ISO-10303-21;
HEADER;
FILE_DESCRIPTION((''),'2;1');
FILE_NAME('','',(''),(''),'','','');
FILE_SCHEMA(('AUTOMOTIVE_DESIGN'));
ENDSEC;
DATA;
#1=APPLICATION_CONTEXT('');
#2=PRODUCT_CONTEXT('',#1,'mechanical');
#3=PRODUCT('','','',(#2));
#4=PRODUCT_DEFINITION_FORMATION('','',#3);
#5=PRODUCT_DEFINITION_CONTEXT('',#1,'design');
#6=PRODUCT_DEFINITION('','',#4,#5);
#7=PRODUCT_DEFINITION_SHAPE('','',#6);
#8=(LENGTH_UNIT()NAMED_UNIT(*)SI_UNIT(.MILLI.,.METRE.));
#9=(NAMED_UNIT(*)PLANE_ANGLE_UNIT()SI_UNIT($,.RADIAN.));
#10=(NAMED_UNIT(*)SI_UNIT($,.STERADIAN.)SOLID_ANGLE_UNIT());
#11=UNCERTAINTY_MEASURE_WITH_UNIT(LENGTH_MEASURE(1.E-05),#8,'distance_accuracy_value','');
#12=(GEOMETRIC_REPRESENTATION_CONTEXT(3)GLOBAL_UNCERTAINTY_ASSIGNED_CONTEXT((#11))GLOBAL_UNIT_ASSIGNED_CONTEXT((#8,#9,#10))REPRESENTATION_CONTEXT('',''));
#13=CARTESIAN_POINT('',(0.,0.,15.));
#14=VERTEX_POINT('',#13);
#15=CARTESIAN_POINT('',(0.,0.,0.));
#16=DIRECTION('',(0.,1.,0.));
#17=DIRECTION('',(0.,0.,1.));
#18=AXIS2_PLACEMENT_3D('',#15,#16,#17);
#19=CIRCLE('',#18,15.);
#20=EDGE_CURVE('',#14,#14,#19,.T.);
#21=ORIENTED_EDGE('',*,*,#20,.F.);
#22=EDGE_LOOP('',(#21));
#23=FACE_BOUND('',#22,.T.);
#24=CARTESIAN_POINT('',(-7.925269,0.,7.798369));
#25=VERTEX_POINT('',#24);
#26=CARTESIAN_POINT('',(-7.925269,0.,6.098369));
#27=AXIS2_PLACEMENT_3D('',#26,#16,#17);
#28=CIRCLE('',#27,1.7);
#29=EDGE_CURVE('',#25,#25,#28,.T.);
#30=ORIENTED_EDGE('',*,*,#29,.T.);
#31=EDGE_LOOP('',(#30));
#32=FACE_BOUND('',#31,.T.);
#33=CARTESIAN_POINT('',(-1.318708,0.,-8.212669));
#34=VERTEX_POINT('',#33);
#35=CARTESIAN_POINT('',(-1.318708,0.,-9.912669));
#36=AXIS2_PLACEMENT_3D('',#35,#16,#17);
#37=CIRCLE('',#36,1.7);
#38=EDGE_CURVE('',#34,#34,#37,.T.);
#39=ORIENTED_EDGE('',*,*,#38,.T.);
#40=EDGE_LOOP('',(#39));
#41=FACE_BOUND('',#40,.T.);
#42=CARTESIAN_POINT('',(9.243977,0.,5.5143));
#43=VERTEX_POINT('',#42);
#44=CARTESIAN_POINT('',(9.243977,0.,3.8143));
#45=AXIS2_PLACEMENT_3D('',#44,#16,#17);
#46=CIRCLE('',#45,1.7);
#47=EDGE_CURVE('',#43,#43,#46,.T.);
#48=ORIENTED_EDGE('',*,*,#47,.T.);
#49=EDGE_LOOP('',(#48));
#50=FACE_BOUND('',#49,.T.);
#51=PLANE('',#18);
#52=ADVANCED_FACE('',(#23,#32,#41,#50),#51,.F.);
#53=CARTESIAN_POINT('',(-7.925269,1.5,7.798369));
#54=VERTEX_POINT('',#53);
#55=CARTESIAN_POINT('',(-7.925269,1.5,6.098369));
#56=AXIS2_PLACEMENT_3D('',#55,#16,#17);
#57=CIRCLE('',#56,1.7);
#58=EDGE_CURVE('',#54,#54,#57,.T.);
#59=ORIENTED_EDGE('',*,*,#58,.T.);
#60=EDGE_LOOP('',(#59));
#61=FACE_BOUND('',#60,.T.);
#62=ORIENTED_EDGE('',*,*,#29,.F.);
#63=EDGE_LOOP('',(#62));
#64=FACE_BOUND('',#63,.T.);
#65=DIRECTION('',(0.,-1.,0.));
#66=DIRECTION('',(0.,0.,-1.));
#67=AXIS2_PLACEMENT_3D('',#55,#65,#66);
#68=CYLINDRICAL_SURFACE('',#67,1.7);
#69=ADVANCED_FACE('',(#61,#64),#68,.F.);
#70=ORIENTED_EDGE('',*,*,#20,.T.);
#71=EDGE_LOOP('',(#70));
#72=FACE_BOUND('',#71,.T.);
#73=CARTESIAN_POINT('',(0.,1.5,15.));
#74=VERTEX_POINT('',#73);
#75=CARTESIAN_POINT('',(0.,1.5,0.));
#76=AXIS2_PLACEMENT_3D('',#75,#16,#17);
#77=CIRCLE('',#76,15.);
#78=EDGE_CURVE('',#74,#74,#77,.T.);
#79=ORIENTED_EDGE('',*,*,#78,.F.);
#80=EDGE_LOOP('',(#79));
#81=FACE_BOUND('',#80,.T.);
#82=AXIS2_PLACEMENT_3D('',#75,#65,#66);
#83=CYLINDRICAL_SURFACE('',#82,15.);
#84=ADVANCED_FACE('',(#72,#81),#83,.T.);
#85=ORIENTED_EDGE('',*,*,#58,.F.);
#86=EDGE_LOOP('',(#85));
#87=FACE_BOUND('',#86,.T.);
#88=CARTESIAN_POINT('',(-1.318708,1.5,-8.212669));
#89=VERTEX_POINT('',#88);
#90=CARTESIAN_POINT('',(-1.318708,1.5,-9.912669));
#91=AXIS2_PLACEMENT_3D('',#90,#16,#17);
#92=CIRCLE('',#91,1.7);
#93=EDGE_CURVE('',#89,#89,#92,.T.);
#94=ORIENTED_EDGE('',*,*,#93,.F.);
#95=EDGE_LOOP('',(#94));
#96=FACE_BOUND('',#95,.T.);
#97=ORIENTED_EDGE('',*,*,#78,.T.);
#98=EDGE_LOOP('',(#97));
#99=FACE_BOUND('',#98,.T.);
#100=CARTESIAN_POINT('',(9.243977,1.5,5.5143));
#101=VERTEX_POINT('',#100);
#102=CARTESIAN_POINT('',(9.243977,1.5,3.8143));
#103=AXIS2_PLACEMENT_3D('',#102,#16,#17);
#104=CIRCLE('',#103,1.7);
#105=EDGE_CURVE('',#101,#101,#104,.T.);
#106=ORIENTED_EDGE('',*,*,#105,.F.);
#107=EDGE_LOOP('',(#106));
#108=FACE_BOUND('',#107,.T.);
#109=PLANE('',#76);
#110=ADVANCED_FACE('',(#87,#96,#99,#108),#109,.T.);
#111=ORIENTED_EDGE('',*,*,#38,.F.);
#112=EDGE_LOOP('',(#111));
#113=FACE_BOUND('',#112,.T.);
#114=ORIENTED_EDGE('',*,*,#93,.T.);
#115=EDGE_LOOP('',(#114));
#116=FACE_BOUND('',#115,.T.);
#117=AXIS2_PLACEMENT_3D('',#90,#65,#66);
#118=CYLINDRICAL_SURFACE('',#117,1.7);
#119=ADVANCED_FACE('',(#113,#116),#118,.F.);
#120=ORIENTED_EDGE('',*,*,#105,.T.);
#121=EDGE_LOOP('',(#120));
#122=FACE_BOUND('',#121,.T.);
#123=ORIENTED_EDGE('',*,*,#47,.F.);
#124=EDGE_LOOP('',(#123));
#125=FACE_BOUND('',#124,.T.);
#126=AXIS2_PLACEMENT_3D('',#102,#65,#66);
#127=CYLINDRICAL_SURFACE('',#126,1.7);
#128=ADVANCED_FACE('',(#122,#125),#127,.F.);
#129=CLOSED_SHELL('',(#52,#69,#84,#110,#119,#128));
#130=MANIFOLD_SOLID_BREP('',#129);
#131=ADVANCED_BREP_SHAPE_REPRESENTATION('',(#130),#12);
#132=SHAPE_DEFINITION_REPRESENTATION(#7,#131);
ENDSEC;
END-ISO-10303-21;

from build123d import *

# Parameters (mm, degrees)
SKETCH1_R           = 15
SKETCH1_R_2         = 1.7
BOSS_EXTRUDE1_DEPTH = 1.5


with BuildPart() as part:
    # Sketch1 → Boss-Extrude1 (new body)
    with BuildSketch(Plane(origin=(0, 0, 0), x_dir=(1, 0, 0), z_dir=(0, 1, 0))):
        with Locations(Location((0, 0, 0), (0, 0, 270))):
            Circle(SKETCH1_R)
        with Locations(Location((9.243977276, -3.814299953, 0), (0, 0, 270))):
            Circle(SKETCH1_R_2, mode=Mode.SUBTRACT)
        with Locations(Location((-7.925269294, -6.098369176, 0), (0, 0, 270))):
            Circle(SKETCH1_R_2, mode=Mode.SUBTRACT)
        with Locations(Location((-1.318707981, 9.912669129, 0), (0, 0, 270))):
            Circle(SKETCH1_R_2, mode=Mode.SUBTRACT)
    extrude(amount=BOSS_EXTRUDE1_DEPTH)


solid = part.part
